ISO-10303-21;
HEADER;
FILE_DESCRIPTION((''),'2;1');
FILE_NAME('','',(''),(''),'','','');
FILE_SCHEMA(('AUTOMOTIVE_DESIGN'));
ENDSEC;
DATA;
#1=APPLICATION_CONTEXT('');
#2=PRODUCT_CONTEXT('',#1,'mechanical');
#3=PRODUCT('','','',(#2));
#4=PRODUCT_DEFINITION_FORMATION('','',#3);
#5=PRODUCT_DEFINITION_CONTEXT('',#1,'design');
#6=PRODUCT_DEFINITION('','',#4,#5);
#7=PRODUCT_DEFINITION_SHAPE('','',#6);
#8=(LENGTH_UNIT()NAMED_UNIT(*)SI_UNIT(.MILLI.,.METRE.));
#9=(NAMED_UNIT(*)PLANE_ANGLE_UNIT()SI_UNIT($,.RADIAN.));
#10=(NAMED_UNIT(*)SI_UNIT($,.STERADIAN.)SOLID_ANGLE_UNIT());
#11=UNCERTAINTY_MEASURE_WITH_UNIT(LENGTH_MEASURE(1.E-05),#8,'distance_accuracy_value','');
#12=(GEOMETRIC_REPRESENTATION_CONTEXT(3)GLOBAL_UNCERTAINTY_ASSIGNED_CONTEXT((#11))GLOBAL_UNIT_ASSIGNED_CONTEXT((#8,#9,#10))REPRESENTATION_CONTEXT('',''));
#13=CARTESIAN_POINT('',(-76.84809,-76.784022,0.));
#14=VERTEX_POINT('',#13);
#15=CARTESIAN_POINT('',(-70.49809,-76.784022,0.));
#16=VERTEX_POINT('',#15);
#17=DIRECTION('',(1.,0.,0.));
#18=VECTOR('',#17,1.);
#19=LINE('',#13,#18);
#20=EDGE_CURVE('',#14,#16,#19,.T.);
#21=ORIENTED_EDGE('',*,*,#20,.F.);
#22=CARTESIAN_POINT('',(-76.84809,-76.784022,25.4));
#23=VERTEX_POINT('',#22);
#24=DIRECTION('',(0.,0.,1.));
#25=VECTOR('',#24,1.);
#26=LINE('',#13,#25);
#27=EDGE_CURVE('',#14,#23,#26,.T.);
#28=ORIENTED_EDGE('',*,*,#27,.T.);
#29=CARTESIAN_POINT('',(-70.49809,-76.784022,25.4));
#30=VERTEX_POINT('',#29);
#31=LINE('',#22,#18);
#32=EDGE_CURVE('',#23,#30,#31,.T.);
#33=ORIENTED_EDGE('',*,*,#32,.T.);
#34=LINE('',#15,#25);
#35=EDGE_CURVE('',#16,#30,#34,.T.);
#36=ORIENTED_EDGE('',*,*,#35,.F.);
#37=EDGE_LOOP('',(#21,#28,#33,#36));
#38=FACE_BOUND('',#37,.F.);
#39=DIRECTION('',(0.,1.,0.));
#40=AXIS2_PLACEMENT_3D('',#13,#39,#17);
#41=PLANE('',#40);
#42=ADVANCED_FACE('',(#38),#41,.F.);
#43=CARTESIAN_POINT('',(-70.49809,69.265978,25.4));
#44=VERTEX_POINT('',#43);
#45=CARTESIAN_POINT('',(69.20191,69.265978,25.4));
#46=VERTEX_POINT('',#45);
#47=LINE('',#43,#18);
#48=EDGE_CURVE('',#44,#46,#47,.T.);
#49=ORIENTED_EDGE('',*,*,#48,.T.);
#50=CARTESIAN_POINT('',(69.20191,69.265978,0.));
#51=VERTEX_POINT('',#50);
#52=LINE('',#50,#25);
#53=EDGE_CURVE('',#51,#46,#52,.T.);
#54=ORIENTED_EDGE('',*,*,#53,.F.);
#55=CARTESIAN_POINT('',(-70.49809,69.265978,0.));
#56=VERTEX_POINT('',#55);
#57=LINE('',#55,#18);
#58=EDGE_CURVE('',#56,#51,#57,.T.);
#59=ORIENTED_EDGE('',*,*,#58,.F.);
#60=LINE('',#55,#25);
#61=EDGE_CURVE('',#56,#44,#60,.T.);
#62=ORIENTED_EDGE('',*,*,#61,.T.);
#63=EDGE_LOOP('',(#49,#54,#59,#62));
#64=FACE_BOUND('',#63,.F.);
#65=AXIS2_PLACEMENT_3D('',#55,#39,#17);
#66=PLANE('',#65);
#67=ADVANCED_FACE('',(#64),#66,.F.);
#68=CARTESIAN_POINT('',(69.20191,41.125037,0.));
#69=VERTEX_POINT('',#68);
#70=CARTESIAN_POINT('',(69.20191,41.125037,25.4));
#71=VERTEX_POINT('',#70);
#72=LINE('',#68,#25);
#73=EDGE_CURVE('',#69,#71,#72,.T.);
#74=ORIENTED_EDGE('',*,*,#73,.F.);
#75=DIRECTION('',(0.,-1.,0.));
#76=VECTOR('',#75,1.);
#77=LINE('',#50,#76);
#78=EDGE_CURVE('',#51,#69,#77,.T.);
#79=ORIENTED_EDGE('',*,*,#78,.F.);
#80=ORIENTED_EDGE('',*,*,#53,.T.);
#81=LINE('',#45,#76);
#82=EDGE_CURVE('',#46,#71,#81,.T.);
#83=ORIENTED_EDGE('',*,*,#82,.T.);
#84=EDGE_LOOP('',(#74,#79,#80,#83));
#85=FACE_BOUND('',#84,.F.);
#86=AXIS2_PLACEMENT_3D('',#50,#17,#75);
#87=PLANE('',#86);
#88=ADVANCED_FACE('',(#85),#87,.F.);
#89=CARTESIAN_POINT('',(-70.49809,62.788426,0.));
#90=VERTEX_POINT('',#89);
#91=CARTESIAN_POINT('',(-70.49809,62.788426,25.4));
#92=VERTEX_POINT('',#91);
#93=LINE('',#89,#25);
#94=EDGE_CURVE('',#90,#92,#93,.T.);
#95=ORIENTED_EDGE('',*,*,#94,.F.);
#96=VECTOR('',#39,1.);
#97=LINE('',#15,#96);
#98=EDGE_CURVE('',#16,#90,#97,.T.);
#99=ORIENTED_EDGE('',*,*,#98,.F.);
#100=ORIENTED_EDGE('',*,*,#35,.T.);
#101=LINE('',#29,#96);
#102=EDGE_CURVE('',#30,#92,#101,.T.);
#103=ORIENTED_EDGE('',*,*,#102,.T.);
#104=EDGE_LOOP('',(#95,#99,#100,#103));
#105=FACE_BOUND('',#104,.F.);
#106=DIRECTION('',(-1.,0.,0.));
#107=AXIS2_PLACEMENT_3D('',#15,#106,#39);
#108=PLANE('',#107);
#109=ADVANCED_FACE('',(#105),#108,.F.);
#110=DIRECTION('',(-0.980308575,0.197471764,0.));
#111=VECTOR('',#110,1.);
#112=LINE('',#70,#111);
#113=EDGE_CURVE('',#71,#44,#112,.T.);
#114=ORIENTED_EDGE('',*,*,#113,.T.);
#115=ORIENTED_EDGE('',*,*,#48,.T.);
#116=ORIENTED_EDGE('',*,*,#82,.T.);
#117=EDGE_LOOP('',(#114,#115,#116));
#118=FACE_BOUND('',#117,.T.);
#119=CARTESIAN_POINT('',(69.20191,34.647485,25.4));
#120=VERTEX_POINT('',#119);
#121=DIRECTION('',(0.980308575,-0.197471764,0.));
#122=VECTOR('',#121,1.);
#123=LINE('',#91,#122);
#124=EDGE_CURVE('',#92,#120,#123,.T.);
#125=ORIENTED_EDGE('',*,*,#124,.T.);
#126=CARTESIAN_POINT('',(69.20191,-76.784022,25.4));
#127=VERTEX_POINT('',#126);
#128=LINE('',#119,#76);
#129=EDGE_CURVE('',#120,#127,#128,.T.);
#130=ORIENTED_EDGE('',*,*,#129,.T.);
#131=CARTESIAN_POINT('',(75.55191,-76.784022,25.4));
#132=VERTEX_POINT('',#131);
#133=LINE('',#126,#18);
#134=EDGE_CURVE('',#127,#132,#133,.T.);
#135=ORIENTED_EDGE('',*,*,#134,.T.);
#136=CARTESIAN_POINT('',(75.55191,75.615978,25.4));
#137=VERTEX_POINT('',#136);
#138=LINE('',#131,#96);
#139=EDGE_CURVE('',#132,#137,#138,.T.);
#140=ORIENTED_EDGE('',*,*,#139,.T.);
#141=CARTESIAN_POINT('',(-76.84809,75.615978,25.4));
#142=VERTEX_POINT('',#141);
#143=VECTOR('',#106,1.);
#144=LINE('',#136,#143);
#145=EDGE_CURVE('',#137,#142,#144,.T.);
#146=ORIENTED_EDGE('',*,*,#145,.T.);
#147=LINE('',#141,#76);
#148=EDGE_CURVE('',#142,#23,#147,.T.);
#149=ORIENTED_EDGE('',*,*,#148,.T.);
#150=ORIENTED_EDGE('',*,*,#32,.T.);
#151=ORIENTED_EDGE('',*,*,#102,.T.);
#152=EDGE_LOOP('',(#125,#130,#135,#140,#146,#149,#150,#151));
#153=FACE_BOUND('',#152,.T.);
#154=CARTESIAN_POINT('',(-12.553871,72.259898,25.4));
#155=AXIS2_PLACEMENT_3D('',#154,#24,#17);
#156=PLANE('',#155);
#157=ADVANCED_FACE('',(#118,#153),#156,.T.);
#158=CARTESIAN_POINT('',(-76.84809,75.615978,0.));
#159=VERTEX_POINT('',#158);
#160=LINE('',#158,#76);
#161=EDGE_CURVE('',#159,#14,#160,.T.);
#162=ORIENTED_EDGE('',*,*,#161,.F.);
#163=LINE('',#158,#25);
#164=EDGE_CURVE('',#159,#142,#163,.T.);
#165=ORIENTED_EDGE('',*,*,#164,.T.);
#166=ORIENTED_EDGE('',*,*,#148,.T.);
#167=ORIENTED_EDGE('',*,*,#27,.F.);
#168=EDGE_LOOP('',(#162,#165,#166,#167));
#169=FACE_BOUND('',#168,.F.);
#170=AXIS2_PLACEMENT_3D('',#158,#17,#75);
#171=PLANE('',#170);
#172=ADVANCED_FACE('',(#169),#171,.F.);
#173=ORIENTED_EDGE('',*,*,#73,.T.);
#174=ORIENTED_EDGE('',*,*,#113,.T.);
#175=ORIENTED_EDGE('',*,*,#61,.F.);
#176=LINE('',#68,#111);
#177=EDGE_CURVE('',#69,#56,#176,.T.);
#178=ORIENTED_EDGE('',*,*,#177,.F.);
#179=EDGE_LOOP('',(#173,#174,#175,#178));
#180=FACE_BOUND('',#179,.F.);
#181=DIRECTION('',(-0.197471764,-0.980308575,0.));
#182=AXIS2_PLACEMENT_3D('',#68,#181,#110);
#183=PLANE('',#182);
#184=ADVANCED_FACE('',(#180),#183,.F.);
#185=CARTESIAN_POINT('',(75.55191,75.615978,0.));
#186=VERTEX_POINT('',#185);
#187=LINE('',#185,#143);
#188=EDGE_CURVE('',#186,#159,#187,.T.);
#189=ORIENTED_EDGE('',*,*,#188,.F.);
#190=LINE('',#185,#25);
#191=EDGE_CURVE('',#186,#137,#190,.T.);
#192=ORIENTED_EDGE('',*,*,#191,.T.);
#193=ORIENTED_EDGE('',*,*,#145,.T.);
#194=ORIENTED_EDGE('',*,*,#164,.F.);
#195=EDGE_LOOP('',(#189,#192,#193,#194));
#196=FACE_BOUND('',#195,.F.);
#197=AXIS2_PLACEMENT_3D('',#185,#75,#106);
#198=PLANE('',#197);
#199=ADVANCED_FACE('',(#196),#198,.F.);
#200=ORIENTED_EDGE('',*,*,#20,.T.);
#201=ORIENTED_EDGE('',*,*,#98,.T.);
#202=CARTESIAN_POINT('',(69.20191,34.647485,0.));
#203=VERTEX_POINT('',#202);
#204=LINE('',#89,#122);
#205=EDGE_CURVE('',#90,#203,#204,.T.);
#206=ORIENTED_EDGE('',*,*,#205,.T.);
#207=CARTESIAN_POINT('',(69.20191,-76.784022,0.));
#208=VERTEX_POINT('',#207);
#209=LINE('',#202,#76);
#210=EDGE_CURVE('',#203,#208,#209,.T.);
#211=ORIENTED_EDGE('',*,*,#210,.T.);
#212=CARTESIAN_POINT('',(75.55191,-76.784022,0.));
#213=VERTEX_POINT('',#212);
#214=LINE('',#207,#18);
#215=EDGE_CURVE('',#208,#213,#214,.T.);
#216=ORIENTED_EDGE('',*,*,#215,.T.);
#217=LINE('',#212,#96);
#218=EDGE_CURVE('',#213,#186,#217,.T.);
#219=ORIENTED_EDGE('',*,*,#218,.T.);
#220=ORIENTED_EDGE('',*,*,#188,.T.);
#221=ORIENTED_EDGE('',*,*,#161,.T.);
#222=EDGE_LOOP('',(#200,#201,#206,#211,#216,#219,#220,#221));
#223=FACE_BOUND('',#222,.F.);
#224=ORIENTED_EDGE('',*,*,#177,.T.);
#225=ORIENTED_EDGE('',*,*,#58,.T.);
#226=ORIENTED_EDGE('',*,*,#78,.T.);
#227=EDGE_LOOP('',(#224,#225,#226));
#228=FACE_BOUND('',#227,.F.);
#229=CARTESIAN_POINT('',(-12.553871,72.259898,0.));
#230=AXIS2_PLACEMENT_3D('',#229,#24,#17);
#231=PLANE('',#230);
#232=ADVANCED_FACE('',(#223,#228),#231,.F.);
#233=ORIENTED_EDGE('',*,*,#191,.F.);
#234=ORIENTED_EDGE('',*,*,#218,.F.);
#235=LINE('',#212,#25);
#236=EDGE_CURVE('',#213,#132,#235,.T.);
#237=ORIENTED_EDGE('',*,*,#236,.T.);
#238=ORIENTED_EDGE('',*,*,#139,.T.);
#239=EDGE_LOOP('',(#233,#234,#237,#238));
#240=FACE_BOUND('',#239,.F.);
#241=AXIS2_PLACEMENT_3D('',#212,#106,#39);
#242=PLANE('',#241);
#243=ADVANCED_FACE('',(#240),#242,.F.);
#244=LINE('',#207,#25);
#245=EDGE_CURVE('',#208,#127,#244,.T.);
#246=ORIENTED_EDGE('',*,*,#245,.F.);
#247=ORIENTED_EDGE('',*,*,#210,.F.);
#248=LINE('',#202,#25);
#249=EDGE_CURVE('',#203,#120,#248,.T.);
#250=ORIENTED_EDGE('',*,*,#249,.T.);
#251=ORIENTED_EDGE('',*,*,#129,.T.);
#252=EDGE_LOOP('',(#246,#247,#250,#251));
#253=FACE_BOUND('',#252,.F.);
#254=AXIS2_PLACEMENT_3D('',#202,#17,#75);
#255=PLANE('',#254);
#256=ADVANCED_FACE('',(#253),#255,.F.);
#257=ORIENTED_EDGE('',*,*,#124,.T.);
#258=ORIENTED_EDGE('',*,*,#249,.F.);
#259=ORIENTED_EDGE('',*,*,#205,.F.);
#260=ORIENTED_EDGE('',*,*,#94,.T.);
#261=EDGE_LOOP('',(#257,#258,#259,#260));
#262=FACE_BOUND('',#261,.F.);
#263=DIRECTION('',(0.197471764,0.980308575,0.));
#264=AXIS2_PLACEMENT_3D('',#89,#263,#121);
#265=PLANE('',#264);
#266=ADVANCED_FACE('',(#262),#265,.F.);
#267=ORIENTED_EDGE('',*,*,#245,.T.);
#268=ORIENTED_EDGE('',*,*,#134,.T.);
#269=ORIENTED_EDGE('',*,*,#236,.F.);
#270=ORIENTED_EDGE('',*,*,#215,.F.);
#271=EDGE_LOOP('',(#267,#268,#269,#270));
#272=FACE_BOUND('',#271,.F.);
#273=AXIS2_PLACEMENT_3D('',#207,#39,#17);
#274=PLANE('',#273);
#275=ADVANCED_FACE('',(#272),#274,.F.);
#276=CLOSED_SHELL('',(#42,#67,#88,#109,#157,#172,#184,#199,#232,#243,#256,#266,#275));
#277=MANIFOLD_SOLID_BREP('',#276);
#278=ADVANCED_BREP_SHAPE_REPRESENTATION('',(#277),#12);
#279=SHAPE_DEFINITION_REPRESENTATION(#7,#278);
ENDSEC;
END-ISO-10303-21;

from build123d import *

# Parameters (mm, degrees)
F1_DEPTH = 25.4


with BuildPart() as f1:
    # F0 (on Top) → F1 (new body)
    with BuildSketch(Plane.XY):
        Polygon((33.9331330414, 75.6159778476), (-70.498089695, 75.6159778476), (-70.498089695, 69.2659778476), (32.5552657769, 69.2659778476), (47.8764143692, 69.2659778476), align=None)
        Polygon((-70.498089695, 69.2659778476), (-76.848089695, 70.5451115148), (-76.848089695, -76.7840221524), (-70.498089695, -76.7840221524), (-70.498089695, 48.7356329501), (-70.498089695, 55.0856329501), (-70.498089695, 62.788425614), align=None)
        Polygon((-70.498089695, 75.6159778476), (-76.848089695, 75.6159778476), (-76.848089695, 70.5451115148), (-70.498089695, 69.2659778476), align=None)
        Polygon((69.201910305, 41.1250371688), (-70.498089695, 69.2659778476), (-70.498089695, 62.788425614), (69.201910305, 34.6474849352), align=None)
        Polygon((69.201910305, 75.6159778476), (33.9331330414, 75.6159778476), (47.8764143692, 69.2659778476), (69.201910305, 69.2659778476), align=None)
        Polygon((75.551910305, 75.6159778476), (69.201910305, 75.6159778476), (69.201910305, 69.2659778476), (69.201910305, 59.5539957101), (75.551910305, 56.6621011085), align=None)
        Polygon((69.201910305, 55.0856329501), (69.201910305, 52.5764922607), (75.551910305, 49.6845976591), (75.551910305, 56.6621011085), (69.201910305, 59.5539957101), align=None)
        Polygon((69.201910305, 48.7356329501), (69.201910305, 41.1250371688), (75.551910305, 39.8459035016), (75.551910305, 49.6845976591), (69.201910305, 52.5764922607), align=None)
        Polygon((75.551910305, 39.8459035016), (69.201910305, 41.1250371688), (69.201910305, 34.6474849352), (75.551910305, 33.368351268), align=None)
        Polygon((75.551910305, 33.368351268), (69.201910305, 34.6474849352), (69.201910305, -76.7840221524), (75.551910305, -76.7840221524), (75.551910305, 16.1954189275), (75.551910305, 22.853401829), align=None)
    extrude(amount=F1_DEPTH)


solid = f1.part
